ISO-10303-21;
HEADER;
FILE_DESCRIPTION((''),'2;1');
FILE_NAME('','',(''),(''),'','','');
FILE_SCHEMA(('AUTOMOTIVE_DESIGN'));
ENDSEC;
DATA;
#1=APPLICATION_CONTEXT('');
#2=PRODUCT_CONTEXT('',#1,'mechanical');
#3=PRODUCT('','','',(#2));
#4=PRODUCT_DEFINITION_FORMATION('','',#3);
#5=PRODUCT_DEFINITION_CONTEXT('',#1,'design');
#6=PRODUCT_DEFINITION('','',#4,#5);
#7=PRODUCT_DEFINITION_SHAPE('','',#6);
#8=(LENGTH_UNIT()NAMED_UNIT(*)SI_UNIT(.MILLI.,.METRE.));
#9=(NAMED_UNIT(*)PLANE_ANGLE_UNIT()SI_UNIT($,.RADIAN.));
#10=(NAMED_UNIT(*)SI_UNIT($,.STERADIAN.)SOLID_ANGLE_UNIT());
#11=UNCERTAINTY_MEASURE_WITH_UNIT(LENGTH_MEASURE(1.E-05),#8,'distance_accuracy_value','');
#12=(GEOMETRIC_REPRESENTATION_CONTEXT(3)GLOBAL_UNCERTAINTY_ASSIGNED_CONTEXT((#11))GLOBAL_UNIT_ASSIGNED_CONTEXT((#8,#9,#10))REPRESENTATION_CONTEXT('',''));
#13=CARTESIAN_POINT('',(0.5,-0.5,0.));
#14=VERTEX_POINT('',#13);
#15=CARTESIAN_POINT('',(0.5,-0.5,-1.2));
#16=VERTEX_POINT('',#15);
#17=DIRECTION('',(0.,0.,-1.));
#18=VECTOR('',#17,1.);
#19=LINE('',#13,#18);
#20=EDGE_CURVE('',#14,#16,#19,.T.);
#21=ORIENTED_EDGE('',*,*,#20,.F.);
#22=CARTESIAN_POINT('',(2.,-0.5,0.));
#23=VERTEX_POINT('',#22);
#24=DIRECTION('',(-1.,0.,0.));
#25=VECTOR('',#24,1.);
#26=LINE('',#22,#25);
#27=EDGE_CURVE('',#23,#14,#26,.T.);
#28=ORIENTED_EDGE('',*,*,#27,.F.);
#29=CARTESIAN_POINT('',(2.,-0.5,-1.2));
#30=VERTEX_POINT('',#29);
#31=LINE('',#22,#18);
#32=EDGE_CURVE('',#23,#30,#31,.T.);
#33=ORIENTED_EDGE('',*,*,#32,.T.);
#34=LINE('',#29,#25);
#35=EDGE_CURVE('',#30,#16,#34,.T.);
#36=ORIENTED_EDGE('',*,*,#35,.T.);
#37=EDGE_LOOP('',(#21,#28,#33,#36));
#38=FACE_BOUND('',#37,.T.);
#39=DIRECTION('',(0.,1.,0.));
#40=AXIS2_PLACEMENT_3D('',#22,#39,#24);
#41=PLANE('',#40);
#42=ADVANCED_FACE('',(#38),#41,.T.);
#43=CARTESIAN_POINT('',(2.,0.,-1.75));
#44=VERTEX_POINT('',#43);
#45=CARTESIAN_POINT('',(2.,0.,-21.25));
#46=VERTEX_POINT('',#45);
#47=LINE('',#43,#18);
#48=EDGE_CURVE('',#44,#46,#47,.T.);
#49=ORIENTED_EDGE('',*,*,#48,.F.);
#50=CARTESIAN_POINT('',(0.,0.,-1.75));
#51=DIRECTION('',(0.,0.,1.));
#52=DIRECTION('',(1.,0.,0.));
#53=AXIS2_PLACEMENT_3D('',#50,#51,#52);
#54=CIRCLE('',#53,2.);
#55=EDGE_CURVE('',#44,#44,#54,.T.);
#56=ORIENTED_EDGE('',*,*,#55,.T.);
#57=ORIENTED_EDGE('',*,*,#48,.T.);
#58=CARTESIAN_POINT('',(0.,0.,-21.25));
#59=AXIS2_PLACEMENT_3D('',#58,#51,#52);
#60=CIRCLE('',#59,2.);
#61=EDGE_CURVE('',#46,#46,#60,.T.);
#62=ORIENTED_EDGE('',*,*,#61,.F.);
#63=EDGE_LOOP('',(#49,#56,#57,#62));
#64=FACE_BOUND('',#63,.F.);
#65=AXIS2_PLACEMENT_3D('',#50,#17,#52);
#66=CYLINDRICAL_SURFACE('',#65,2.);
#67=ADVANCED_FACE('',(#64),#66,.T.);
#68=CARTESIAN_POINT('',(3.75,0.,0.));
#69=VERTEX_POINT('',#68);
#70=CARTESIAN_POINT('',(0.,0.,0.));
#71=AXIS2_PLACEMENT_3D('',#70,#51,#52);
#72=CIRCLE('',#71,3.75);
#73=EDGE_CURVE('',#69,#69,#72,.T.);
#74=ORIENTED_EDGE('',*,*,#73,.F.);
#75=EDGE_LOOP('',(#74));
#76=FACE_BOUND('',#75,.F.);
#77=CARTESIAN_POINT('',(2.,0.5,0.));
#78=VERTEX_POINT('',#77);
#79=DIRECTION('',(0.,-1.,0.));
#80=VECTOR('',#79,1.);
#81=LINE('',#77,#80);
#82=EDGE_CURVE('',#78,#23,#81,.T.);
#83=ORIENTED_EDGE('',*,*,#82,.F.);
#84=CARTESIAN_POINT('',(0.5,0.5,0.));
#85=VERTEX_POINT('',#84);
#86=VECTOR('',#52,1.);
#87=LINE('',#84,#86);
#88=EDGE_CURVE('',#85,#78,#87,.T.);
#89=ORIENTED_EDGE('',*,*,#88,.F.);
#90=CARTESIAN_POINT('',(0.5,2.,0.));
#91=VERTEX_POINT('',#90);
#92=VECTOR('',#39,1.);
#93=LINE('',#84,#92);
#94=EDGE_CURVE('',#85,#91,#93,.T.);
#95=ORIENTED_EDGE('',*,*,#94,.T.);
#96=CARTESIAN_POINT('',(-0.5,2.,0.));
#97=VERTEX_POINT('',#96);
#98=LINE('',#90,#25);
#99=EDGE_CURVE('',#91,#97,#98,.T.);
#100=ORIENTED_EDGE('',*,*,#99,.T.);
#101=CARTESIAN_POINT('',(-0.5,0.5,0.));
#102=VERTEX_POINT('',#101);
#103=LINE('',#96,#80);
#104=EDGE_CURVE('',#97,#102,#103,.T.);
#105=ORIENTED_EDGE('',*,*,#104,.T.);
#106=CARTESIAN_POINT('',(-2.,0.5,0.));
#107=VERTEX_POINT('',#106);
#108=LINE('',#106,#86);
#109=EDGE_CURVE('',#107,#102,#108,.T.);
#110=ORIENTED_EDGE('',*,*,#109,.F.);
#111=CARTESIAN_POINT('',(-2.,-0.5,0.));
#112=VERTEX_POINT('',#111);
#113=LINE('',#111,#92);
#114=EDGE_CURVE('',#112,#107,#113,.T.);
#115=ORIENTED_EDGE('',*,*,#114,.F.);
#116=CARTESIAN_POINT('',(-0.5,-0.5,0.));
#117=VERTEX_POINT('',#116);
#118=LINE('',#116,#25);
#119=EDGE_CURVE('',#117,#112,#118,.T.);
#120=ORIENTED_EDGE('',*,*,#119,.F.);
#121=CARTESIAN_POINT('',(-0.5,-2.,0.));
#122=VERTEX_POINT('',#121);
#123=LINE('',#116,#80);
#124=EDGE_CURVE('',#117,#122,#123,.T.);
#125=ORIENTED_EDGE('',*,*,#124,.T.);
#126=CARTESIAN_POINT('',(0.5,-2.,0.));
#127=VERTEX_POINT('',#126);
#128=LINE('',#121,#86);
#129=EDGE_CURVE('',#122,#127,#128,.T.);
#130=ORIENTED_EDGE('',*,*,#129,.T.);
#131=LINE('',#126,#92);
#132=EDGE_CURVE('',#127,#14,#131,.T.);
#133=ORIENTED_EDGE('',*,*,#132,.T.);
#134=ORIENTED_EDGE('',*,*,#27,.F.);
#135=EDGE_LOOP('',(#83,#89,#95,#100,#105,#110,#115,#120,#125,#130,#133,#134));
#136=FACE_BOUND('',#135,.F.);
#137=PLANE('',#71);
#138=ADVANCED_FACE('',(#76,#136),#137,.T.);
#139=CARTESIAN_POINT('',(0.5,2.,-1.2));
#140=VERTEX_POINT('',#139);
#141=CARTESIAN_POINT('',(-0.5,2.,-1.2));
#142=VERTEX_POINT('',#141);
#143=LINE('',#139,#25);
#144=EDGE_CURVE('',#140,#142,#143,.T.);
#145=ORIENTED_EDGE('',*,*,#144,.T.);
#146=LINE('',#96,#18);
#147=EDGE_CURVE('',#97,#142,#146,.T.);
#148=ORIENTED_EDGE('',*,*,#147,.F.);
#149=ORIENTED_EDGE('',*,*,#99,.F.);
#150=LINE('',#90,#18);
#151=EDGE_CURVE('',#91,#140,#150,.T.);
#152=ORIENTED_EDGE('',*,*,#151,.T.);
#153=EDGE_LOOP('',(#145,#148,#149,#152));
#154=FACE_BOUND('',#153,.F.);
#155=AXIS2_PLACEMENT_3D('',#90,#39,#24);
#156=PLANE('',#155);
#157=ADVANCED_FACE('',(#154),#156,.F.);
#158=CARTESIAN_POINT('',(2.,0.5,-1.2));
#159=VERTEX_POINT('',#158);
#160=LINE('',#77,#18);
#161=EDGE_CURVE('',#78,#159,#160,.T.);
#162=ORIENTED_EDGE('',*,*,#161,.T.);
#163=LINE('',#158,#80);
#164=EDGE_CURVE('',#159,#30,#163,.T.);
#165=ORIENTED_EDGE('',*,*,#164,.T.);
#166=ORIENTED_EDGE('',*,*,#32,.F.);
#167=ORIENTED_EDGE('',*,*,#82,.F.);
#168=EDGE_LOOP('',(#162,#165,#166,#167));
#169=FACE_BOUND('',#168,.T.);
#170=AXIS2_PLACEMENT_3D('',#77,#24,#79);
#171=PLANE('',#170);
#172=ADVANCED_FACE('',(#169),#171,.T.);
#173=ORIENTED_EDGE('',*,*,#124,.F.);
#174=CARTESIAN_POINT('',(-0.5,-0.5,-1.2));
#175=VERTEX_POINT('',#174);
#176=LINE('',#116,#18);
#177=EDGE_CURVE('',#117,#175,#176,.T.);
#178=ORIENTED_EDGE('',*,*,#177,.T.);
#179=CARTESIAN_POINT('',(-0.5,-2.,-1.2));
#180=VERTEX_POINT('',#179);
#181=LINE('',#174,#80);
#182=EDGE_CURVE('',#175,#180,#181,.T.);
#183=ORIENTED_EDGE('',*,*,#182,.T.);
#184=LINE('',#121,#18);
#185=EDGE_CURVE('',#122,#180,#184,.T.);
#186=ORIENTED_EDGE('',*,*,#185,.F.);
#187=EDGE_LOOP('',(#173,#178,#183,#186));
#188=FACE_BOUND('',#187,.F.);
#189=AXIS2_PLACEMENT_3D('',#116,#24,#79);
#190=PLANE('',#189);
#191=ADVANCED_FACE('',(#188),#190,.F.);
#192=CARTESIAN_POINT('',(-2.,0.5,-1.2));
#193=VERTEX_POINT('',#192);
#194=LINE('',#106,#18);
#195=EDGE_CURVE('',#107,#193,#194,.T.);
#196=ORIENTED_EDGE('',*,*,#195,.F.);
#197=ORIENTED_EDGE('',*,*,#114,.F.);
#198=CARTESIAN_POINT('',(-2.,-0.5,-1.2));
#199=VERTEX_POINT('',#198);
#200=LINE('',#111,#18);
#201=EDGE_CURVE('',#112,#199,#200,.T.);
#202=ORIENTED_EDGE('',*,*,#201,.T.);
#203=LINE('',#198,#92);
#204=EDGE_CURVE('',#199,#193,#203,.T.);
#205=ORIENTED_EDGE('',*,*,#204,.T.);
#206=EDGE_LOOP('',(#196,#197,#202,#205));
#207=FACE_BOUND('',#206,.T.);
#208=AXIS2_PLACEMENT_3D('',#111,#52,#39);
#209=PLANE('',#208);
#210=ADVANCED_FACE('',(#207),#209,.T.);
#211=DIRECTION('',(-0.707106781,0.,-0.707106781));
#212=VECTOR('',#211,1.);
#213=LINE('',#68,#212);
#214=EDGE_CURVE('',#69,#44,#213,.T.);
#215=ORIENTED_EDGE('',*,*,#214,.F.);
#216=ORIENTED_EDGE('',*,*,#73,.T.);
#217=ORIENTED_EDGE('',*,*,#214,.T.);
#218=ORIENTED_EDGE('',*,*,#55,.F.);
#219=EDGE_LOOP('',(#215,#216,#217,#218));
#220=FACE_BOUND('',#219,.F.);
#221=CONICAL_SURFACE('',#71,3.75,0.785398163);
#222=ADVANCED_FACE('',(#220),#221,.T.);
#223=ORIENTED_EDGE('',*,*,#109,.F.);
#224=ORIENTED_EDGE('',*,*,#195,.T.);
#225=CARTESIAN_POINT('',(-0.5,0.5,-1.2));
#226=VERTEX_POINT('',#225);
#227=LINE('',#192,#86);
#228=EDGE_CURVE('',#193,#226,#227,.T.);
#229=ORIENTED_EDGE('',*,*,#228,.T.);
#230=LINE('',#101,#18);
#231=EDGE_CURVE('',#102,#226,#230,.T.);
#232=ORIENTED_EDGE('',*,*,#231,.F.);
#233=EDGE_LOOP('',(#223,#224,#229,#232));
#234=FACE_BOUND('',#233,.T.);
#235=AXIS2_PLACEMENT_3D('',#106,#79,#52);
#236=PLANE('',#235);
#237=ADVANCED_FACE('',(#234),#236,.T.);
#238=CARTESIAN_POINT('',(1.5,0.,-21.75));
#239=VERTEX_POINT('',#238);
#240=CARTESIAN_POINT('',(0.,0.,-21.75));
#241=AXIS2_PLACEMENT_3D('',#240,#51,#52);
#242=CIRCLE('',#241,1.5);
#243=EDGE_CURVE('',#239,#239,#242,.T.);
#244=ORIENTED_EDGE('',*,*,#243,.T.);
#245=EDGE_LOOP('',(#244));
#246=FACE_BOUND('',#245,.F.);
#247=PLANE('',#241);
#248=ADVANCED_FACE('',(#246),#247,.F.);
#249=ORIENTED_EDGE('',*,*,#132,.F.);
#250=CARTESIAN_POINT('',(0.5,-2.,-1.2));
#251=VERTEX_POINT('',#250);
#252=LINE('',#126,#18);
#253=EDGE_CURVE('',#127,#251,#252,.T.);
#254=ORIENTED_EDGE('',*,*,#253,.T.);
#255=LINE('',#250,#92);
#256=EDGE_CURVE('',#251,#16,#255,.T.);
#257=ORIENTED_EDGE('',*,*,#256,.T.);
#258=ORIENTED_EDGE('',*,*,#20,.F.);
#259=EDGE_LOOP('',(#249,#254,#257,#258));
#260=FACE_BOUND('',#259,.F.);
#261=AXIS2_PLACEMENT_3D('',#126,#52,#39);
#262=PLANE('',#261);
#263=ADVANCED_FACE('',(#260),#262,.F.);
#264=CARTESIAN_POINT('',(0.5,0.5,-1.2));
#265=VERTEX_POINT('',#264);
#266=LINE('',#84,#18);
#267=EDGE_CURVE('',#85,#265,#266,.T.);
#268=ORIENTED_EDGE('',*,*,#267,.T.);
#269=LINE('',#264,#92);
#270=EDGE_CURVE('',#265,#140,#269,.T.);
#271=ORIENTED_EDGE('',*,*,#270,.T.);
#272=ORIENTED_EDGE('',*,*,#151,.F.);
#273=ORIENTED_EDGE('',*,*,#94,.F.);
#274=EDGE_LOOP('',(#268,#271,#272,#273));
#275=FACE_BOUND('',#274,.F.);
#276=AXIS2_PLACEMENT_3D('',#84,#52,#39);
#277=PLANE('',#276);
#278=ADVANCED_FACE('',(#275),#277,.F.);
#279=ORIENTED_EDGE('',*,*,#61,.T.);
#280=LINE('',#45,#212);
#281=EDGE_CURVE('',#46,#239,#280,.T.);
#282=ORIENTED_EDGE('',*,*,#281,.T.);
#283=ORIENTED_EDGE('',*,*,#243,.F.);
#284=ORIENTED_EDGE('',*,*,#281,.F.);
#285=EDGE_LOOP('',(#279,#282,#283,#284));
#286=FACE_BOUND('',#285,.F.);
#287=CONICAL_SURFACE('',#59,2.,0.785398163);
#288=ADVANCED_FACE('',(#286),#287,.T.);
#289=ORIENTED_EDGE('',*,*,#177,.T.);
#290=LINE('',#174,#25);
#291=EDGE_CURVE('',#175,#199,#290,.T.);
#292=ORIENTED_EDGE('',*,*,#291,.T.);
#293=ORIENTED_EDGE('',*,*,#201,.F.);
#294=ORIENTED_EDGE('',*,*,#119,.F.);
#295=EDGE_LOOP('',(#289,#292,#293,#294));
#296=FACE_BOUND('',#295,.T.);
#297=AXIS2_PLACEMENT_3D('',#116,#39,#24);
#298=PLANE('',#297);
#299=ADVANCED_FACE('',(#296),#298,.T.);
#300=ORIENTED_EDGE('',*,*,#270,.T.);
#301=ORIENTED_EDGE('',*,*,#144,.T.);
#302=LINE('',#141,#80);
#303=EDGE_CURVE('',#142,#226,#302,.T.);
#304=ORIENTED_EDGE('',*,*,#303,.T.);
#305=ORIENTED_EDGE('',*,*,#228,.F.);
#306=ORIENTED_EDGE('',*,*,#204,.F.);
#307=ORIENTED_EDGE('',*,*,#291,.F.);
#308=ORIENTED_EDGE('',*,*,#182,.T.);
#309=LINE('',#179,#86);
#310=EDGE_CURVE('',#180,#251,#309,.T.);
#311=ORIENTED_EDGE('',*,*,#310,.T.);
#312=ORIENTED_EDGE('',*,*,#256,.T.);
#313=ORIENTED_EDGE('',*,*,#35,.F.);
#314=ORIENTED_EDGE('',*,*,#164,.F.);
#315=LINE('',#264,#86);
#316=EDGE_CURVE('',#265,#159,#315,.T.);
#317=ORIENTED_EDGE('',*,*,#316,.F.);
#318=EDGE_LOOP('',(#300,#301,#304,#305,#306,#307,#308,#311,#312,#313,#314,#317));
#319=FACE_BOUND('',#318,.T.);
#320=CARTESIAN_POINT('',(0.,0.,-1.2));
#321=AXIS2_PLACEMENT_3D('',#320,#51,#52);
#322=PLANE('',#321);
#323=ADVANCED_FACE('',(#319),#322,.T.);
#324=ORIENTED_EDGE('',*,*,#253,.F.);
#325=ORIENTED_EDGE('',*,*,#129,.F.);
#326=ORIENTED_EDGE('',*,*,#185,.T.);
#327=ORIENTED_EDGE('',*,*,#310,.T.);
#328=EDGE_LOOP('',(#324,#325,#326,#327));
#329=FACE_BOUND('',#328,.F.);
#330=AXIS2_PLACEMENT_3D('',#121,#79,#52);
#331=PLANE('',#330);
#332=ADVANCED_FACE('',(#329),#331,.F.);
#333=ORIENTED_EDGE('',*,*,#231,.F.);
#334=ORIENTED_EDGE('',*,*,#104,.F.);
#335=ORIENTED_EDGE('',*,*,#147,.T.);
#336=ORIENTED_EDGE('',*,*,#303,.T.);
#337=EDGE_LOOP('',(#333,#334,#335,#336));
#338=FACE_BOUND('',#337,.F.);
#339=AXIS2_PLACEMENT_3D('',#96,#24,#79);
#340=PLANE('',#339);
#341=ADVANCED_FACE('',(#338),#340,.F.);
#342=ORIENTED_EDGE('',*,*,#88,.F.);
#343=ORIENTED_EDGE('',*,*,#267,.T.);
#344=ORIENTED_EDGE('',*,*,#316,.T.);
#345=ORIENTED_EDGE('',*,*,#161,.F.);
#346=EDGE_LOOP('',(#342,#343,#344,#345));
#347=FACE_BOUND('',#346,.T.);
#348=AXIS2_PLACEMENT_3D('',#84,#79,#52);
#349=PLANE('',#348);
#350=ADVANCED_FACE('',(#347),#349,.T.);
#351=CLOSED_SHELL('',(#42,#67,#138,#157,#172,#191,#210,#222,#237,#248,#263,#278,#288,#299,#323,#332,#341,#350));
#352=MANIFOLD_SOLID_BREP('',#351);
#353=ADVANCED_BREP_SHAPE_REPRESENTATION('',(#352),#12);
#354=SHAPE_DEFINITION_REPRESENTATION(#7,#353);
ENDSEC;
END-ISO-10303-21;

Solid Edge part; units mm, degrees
sketch "Sketch1" plane through (0, 0, 0) normal (0, -1, 0) x (1, 0, 0)
  line L0 (0, 0) -> (3.75, 0)
  line L1 (3.75, 0) -> (2, -1.75)
  line L2 (2, -1.75) -> (2, -21.75)
  line L3 (2, -21.75) -> (0, -21.75)
  dimension "D1" = 20
revolve "RevolvedProtrusion1" add sketch "Sketch1" angle 360 about axis through (0, 0, -21.75) along (0, 0, 1)
chamfer "Chamfer_1" distance 0.5 angle 45 1 edges at (-2, 0, -21.75)
sketch "Sketch2" plane through (0, 0, 0) normal (0, 0, 1) x (0, 1, 0)
  line L0 (0.5, -0.5) -> (2, -0.5)
  line L1 (2, -0.5) -> (2, 0.5)
  line L2 (2, 0.5) -> (0.5, 0.5)
  line L3 (0.5, 2) -> (0.5, 0.5)
  line L4 (-0.5, 2) -> (0.5, 2)
  line L5 (-0.5, 0.5) -> (-0.5, 2)
  line L6 (-0.5, 0.5) -> (-2, 0.5)
  line L7 (-2, 0.5) -> (-2, -0.5)
  line L8 (-2, -0.5) -> (-0.5, -0.5)
  line L9 (-0.5, -2) -> (-0.5, -0.5)
  line L10 (0.5, -2) -> (-0.5, -2)
  line L11 (0.5, -0.5) -> (0.5, -2)
  dimension "D1" = 4
  dimension "D2" = 1
extrude "ExtrudedCutout_1" cut sketch "Sketch2" against normal blind 1.2
cosmetic_thread "Thread1" size "M4"
properties material "Stainless steel"
